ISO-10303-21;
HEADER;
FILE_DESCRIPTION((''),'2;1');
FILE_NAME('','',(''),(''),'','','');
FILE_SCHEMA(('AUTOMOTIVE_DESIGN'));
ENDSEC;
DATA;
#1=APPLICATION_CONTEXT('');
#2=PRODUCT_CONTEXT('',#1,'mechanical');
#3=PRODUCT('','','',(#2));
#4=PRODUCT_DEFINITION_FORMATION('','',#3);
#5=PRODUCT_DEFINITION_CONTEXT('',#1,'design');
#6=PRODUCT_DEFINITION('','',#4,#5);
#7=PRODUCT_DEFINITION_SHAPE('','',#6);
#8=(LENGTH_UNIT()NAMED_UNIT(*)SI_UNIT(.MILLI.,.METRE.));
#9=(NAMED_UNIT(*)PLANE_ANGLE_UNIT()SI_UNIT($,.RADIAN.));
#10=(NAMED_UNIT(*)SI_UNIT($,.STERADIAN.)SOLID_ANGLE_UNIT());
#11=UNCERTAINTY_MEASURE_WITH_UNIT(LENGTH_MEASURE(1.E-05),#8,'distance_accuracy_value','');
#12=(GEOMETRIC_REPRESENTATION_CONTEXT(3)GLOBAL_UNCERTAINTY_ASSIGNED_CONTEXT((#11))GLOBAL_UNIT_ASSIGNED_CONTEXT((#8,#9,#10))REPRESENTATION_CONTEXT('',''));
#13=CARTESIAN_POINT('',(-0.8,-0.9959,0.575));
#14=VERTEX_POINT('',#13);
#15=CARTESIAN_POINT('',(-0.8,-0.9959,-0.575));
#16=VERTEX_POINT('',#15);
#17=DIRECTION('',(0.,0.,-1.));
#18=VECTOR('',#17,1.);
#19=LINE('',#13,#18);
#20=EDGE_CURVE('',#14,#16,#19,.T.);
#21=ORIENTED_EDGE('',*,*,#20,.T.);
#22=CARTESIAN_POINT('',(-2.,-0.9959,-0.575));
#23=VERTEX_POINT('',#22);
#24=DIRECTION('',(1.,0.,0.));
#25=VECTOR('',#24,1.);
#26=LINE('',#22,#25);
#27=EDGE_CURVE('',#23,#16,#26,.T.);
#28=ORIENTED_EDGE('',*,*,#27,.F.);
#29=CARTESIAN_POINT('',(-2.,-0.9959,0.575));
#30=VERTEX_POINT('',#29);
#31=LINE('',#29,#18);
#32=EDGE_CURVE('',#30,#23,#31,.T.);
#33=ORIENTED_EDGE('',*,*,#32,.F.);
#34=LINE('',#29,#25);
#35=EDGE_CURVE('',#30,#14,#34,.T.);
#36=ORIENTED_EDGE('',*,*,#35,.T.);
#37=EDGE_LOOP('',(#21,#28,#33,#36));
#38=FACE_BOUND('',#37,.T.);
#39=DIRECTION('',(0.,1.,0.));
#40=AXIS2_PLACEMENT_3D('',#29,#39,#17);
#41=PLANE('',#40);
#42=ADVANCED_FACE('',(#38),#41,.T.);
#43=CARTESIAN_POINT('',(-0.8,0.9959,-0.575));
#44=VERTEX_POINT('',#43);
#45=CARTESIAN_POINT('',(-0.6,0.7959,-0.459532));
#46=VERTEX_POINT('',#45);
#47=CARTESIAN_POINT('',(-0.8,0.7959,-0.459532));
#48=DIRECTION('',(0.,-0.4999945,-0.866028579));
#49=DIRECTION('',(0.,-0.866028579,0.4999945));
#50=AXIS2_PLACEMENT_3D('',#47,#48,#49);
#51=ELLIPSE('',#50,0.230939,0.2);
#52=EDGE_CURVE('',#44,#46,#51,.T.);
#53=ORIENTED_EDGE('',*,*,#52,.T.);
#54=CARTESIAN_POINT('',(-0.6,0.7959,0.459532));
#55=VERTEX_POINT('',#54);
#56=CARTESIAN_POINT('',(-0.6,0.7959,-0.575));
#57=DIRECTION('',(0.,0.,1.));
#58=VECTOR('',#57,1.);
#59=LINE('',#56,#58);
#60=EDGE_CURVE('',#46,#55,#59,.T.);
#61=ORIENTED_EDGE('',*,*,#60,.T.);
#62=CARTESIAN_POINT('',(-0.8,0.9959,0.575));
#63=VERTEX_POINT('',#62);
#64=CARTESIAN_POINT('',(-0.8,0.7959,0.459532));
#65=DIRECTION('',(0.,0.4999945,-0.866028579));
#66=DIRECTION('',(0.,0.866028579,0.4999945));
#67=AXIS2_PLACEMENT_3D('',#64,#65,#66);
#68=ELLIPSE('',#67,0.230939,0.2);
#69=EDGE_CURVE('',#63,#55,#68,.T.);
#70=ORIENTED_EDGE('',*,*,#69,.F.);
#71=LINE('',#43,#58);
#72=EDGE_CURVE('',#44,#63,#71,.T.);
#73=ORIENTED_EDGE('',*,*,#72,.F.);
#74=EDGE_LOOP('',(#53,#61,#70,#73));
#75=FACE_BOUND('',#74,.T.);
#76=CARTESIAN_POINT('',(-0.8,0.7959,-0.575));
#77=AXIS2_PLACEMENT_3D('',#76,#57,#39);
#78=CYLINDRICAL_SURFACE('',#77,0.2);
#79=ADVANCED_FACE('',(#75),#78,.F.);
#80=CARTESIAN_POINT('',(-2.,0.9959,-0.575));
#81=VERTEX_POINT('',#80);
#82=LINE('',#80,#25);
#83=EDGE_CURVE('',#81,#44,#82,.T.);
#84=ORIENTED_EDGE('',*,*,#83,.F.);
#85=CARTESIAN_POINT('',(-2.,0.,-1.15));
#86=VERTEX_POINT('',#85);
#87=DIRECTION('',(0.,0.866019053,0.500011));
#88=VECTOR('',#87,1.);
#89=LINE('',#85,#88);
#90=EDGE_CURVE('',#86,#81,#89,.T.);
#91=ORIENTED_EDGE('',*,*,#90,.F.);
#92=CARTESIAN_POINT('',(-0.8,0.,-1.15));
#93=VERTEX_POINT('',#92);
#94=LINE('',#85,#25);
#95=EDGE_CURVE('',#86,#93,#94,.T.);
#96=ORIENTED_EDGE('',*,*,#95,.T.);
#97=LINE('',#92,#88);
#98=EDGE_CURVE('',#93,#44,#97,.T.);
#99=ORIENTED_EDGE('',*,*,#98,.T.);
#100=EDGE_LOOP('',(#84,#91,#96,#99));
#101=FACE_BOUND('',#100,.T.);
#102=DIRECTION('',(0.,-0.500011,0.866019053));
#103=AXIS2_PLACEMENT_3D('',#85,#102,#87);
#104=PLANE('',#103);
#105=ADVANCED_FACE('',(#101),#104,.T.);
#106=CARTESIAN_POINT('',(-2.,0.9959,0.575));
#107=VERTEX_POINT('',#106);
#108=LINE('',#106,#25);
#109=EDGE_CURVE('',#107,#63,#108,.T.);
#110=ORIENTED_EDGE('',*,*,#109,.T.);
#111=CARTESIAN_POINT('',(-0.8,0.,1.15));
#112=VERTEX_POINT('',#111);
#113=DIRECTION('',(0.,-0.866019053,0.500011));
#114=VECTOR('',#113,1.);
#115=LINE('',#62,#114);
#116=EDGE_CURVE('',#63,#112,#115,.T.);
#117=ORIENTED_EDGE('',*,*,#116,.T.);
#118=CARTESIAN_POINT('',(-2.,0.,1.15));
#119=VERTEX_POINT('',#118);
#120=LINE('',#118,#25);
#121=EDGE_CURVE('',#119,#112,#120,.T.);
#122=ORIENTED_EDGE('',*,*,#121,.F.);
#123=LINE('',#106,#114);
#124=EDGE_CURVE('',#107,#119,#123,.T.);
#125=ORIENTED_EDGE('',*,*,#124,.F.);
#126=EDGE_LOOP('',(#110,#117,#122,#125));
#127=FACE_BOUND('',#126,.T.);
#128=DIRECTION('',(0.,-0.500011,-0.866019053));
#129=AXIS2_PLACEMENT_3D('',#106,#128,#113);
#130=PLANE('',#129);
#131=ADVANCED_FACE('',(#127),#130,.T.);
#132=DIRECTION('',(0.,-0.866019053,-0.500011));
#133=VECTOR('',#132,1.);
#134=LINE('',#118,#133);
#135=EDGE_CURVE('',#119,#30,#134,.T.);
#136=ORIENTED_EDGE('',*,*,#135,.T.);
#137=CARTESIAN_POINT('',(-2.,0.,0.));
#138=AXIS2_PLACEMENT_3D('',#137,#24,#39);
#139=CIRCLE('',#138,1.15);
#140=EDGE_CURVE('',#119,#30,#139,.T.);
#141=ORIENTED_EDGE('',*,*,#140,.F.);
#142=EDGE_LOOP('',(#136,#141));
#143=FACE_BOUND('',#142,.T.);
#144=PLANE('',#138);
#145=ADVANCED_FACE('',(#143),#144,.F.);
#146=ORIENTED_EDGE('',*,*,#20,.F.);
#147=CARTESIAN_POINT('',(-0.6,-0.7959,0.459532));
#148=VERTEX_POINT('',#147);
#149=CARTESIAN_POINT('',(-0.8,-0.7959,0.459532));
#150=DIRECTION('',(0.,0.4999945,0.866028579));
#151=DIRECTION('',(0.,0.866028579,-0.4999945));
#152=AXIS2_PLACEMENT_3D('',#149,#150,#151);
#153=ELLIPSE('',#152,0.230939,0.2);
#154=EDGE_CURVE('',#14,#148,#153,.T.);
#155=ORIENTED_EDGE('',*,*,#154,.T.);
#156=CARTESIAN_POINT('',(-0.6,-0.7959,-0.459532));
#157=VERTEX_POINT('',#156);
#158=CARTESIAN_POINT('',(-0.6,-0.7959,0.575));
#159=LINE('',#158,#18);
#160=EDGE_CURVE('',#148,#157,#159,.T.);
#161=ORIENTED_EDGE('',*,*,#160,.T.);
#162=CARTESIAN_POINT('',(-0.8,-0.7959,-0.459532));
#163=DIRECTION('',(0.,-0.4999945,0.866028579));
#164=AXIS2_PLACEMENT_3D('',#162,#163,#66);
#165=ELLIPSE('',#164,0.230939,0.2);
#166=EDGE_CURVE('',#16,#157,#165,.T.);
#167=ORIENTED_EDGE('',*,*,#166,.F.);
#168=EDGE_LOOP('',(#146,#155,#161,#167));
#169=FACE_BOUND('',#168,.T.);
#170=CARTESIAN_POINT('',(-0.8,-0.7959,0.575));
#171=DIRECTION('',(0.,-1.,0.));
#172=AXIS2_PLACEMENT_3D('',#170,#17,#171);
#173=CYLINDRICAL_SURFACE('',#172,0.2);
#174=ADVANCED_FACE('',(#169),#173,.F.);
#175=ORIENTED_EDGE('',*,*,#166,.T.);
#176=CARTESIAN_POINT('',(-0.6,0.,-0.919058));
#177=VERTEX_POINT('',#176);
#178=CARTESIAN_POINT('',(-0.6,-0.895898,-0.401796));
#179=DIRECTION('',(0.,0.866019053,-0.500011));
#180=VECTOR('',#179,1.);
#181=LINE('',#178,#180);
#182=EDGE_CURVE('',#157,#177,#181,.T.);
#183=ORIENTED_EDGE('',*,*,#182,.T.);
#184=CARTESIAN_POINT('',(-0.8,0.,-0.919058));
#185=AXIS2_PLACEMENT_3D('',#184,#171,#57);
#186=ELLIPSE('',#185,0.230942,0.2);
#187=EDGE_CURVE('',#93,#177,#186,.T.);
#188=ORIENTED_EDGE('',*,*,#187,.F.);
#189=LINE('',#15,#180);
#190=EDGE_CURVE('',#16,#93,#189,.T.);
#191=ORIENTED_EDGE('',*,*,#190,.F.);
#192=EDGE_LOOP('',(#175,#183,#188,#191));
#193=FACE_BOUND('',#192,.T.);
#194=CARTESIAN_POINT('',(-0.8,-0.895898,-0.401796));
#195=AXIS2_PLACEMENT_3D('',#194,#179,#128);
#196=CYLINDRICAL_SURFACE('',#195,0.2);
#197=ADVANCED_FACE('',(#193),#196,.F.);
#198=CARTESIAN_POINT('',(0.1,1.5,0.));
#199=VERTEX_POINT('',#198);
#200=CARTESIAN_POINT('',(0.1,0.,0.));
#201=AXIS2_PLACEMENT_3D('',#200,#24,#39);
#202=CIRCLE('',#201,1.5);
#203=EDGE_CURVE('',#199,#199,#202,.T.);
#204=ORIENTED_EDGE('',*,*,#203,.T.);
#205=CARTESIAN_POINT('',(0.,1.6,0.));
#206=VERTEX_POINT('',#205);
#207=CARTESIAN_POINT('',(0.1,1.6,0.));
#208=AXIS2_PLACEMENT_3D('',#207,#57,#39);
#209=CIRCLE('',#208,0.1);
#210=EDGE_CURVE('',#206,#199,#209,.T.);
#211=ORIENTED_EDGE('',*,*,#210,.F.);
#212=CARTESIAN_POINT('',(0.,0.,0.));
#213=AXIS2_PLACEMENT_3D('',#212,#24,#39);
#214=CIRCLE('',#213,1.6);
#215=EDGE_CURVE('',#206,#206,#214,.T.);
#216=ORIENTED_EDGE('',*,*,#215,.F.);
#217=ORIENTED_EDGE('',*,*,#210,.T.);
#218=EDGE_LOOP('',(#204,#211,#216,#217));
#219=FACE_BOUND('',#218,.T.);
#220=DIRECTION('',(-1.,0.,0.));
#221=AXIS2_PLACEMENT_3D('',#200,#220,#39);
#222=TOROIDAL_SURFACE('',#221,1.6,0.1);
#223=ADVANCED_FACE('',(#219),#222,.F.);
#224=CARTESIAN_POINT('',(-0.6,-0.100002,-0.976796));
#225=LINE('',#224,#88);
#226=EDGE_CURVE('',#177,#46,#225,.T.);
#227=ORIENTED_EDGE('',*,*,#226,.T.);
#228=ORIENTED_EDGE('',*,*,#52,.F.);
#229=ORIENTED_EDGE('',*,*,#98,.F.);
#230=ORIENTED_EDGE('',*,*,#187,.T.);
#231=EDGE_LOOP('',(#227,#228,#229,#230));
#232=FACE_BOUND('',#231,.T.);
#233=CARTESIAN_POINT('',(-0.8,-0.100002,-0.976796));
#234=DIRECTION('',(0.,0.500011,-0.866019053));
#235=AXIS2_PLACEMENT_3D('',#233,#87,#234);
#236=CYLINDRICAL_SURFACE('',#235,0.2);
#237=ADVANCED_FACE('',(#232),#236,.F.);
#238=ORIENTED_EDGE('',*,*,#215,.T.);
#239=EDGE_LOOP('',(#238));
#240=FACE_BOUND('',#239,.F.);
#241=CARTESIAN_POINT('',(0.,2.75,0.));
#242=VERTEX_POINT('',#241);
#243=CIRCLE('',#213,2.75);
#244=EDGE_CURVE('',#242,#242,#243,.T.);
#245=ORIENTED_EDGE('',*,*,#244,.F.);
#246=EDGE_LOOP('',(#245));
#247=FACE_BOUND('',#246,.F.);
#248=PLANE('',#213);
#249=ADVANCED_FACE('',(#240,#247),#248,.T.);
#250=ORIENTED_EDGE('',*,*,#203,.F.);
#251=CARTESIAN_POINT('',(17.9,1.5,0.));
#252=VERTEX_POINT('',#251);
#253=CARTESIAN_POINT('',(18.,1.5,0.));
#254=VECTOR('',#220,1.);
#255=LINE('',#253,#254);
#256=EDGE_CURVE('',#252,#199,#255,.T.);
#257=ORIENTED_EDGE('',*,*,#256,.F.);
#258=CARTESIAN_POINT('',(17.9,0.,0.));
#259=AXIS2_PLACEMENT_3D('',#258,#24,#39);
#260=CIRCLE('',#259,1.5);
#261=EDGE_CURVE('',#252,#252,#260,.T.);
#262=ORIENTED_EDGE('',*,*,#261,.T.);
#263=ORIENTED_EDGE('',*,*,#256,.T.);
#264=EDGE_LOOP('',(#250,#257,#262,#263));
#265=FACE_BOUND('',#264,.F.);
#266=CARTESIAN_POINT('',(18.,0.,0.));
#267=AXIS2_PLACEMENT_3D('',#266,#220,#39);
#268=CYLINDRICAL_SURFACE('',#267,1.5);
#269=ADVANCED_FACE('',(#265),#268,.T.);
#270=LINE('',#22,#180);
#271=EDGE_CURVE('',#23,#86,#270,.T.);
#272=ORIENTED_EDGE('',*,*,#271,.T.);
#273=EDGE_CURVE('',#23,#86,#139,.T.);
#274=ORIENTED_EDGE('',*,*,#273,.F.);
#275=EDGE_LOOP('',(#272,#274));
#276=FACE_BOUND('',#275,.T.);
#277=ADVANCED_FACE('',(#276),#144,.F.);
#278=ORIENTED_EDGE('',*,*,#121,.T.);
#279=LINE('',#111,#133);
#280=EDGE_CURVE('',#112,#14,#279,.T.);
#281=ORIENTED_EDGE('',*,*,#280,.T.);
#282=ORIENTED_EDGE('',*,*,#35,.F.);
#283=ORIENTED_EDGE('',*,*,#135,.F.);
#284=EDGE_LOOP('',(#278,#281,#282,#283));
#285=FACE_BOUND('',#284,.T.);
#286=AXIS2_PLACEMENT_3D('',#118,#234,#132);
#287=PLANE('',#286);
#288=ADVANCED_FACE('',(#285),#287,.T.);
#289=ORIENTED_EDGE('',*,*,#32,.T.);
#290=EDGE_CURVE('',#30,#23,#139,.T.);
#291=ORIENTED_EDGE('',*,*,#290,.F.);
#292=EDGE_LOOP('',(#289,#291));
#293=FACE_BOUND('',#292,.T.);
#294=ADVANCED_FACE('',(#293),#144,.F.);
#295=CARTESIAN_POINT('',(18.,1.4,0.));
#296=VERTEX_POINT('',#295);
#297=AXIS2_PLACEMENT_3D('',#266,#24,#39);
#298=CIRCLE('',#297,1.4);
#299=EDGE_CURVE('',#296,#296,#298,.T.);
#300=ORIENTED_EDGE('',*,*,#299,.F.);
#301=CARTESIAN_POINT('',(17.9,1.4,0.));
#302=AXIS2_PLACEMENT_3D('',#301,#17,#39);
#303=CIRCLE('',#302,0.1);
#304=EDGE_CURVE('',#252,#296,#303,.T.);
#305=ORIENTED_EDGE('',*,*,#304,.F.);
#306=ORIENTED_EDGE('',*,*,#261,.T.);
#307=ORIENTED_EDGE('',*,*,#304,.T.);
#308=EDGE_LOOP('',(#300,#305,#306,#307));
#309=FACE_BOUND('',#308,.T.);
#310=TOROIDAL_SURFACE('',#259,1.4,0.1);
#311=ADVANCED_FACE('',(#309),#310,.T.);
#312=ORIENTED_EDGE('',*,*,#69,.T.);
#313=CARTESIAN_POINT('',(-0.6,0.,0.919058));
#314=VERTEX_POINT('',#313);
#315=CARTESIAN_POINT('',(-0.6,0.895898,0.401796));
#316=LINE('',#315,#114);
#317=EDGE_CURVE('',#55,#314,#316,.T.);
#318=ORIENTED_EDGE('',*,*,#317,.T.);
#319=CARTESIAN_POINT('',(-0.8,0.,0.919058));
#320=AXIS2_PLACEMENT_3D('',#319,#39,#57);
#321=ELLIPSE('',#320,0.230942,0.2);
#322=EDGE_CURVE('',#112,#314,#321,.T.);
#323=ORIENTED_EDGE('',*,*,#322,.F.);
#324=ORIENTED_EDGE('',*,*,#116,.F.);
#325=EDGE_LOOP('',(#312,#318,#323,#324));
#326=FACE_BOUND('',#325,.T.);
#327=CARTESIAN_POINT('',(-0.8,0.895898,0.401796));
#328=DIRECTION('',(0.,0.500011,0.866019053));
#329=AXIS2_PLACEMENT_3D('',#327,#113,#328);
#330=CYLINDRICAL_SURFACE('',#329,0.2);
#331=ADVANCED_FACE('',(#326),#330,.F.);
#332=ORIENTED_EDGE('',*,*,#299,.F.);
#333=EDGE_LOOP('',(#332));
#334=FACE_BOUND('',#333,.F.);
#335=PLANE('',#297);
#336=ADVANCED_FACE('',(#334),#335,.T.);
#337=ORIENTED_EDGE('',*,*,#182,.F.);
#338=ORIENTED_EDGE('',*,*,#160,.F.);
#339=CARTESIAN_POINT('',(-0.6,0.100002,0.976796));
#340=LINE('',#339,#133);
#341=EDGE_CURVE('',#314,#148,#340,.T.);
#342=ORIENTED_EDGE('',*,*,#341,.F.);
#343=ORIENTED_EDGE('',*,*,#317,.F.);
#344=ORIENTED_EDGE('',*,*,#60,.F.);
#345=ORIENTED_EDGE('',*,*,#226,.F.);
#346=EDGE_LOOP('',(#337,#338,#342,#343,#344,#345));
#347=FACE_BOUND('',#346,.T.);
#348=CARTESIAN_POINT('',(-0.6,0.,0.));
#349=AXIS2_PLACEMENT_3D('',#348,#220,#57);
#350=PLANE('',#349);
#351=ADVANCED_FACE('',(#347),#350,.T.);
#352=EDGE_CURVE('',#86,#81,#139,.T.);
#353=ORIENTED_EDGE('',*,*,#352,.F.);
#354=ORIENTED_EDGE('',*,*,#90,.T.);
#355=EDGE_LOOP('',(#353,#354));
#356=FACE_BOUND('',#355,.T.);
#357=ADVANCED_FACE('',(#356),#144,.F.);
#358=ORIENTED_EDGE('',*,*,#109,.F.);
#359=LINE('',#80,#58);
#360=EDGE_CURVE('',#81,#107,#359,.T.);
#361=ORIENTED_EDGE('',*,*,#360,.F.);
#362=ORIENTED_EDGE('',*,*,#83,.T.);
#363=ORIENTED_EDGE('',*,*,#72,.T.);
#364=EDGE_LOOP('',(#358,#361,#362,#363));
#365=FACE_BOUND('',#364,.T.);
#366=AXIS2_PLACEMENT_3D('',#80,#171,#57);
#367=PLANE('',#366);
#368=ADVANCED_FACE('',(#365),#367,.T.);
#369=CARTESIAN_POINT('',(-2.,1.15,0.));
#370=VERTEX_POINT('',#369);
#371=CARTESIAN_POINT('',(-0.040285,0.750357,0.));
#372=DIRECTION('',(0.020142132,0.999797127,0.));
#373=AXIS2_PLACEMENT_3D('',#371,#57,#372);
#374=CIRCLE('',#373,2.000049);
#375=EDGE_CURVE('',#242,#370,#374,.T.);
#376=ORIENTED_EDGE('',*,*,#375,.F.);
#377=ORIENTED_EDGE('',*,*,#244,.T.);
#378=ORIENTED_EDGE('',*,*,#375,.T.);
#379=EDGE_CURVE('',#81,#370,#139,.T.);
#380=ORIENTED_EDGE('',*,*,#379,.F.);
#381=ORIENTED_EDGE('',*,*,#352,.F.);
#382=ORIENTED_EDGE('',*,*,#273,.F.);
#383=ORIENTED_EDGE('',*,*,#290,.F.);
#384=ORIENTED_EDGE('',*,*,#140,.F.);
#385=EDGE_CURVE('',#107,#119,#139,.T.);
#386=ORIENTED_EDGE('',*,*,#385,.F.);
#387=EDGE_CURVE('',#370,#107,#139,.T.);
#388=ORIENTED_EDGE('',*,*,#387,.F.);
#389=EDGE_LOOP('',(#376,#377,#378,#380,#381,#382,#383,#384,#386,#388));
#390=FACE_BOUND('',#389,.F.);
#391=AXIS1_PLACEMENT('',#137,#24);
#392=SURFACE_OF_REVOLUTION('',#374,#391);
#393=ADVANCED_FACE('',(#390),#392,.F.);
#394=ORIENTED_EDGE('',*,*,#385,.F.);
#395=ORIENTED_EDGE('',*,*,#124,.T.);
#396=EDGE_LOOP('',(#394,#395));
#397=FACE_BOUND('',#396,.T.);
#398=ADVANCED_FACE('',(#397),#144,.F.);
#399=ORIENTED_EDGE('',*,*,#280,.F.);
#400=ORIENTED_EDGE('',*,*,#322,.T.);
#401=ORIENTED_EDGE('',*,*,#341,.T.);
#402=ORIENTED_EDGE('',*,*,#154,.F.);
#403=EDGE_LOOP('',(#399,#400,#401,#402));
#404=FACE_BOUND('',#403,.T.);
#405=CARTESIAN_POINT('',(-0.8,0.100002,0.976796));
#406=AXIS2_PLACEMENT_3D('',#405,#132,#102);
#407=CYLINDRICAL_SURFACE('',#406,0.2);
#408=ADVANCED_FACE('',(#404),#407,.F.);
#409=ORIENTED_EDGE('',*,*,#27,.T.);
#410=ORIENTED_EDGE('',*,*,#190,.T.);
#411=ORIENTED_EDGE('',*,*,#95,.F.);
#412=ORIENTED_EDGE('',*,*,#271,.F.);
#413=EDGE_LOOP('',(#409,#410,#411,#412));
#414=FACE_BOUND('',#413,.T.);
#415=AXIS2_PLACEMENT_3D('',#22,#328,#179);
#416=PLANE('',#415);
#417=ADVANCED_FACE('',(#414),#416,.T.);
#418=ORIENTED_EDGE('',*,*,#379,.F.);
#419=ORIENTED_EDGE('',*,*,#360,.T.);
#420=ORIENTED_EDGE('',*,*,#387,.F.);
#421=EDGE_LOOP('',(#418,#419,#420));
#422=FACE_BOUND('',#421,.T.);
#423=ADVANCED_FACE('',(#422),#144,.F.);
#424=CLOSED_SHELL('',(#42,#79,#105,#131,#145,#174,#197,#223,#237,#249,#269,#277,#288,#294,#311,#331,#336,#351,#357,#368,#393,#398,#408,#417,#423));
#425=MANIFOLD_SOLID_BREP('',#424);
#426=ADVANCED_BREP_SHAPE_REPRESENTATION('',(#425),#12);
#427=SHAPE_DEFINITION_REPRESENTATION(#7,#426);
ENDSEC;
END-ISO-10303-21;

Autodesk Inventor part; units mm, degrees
ref_plane "YZ Plane" through (0, 0, 0) normal (1, 0, 0) x (0, 1, 0)
ref_plane "XZ Plane" through (0, 0, 0) normal (0, 1, 0) x (-1, 0, 0)
ref_plane "XY Plane" through (0, 0, 0) normal (0, 0, 1) x (1, 0, 0)
sketch "スケッチ1" plane through (0, 0, 0) normal (0, 0, 1) x (1, 0, 0)
  line L0 (0, 0) -> (18, 0)
  line L1 (18, 0) -> (18, 1.5)
  line L2 (18, 1.5) -> (0, 1.5)
  line L3 (0, 1.5) -> (0, 0)
  line L4 (0, 0) -> (0, 2.75)
  line L5 (0, 0) -> (-2, 0)
  line L6 (-2, 0) -> (0, 0)
  line L7 (-2, 0) -> (-2, 1.15)
  arc A0 (0, 2.75) -> (-2, 1.15) centre (-0.0403, 0.7504) ccw
  dimension "d0" = 1.5
  dimension "d1" = 18
  dimension "d3" = 2
  dimension "d4" = 2.75
  dimension "d5" = 1.15
  dimension "d6" = 2
revolve "回転1" add sketch "スケッチ1" angle 360 about axis through (-2, 0, 0) along (1, 0, 0)
thread "ねじ1" size "M3x0.5" class "6g" standard "ANSI Metric M Profile" length 100
sketch "スケッチ2" plane through (-2, 0, 0) normal (-1, 0, 0) x (0, 0, 1)
  circle A0 centre (0, 0) radius 1.15 projected
  line L0 (-0.575, 0.9959) -> (0.575, 0.9959)
  line L1 (0.575, 0.9959) -> (1.15, 0)
  line L2 (1.15, 0) -> (0.575, -0.9959)
  line L3 (0.575, -0.9959) -> (-0.575, -0.9959)
  line L4 (-0.575, -0.9959) -> (-1.15, 0)
  line L5 (-1.15, 0) -> (-0.575, 0.9959)
  dimension "d10" = 1.15
  dimension "d11" = 1.9919
extrude "押し出し1" cut sketch "スケッチ2" against normal blind 1.4 contours L2 L3 L4 L5 L0 L1
fillet "フィレット1" radius 0.2 6 edges at (-0.6, 0.9959, 0) (-0.6, 0.498, 0.8625) (-0.6, 0.498, -0.8625) (-0.6, -0.498, -0.8625) (-0.6, -0.9959, 0) (-0.6, -0.498, 0.8625)
fillet "フィレット2" radius 0.1 1 edges at (0, -1.5, 0)
fillet "フィレット3" radius 0.1 1 edges at (18, -1.5, 0)
properties part number "ネジボタンM3L18" material "鋼"
